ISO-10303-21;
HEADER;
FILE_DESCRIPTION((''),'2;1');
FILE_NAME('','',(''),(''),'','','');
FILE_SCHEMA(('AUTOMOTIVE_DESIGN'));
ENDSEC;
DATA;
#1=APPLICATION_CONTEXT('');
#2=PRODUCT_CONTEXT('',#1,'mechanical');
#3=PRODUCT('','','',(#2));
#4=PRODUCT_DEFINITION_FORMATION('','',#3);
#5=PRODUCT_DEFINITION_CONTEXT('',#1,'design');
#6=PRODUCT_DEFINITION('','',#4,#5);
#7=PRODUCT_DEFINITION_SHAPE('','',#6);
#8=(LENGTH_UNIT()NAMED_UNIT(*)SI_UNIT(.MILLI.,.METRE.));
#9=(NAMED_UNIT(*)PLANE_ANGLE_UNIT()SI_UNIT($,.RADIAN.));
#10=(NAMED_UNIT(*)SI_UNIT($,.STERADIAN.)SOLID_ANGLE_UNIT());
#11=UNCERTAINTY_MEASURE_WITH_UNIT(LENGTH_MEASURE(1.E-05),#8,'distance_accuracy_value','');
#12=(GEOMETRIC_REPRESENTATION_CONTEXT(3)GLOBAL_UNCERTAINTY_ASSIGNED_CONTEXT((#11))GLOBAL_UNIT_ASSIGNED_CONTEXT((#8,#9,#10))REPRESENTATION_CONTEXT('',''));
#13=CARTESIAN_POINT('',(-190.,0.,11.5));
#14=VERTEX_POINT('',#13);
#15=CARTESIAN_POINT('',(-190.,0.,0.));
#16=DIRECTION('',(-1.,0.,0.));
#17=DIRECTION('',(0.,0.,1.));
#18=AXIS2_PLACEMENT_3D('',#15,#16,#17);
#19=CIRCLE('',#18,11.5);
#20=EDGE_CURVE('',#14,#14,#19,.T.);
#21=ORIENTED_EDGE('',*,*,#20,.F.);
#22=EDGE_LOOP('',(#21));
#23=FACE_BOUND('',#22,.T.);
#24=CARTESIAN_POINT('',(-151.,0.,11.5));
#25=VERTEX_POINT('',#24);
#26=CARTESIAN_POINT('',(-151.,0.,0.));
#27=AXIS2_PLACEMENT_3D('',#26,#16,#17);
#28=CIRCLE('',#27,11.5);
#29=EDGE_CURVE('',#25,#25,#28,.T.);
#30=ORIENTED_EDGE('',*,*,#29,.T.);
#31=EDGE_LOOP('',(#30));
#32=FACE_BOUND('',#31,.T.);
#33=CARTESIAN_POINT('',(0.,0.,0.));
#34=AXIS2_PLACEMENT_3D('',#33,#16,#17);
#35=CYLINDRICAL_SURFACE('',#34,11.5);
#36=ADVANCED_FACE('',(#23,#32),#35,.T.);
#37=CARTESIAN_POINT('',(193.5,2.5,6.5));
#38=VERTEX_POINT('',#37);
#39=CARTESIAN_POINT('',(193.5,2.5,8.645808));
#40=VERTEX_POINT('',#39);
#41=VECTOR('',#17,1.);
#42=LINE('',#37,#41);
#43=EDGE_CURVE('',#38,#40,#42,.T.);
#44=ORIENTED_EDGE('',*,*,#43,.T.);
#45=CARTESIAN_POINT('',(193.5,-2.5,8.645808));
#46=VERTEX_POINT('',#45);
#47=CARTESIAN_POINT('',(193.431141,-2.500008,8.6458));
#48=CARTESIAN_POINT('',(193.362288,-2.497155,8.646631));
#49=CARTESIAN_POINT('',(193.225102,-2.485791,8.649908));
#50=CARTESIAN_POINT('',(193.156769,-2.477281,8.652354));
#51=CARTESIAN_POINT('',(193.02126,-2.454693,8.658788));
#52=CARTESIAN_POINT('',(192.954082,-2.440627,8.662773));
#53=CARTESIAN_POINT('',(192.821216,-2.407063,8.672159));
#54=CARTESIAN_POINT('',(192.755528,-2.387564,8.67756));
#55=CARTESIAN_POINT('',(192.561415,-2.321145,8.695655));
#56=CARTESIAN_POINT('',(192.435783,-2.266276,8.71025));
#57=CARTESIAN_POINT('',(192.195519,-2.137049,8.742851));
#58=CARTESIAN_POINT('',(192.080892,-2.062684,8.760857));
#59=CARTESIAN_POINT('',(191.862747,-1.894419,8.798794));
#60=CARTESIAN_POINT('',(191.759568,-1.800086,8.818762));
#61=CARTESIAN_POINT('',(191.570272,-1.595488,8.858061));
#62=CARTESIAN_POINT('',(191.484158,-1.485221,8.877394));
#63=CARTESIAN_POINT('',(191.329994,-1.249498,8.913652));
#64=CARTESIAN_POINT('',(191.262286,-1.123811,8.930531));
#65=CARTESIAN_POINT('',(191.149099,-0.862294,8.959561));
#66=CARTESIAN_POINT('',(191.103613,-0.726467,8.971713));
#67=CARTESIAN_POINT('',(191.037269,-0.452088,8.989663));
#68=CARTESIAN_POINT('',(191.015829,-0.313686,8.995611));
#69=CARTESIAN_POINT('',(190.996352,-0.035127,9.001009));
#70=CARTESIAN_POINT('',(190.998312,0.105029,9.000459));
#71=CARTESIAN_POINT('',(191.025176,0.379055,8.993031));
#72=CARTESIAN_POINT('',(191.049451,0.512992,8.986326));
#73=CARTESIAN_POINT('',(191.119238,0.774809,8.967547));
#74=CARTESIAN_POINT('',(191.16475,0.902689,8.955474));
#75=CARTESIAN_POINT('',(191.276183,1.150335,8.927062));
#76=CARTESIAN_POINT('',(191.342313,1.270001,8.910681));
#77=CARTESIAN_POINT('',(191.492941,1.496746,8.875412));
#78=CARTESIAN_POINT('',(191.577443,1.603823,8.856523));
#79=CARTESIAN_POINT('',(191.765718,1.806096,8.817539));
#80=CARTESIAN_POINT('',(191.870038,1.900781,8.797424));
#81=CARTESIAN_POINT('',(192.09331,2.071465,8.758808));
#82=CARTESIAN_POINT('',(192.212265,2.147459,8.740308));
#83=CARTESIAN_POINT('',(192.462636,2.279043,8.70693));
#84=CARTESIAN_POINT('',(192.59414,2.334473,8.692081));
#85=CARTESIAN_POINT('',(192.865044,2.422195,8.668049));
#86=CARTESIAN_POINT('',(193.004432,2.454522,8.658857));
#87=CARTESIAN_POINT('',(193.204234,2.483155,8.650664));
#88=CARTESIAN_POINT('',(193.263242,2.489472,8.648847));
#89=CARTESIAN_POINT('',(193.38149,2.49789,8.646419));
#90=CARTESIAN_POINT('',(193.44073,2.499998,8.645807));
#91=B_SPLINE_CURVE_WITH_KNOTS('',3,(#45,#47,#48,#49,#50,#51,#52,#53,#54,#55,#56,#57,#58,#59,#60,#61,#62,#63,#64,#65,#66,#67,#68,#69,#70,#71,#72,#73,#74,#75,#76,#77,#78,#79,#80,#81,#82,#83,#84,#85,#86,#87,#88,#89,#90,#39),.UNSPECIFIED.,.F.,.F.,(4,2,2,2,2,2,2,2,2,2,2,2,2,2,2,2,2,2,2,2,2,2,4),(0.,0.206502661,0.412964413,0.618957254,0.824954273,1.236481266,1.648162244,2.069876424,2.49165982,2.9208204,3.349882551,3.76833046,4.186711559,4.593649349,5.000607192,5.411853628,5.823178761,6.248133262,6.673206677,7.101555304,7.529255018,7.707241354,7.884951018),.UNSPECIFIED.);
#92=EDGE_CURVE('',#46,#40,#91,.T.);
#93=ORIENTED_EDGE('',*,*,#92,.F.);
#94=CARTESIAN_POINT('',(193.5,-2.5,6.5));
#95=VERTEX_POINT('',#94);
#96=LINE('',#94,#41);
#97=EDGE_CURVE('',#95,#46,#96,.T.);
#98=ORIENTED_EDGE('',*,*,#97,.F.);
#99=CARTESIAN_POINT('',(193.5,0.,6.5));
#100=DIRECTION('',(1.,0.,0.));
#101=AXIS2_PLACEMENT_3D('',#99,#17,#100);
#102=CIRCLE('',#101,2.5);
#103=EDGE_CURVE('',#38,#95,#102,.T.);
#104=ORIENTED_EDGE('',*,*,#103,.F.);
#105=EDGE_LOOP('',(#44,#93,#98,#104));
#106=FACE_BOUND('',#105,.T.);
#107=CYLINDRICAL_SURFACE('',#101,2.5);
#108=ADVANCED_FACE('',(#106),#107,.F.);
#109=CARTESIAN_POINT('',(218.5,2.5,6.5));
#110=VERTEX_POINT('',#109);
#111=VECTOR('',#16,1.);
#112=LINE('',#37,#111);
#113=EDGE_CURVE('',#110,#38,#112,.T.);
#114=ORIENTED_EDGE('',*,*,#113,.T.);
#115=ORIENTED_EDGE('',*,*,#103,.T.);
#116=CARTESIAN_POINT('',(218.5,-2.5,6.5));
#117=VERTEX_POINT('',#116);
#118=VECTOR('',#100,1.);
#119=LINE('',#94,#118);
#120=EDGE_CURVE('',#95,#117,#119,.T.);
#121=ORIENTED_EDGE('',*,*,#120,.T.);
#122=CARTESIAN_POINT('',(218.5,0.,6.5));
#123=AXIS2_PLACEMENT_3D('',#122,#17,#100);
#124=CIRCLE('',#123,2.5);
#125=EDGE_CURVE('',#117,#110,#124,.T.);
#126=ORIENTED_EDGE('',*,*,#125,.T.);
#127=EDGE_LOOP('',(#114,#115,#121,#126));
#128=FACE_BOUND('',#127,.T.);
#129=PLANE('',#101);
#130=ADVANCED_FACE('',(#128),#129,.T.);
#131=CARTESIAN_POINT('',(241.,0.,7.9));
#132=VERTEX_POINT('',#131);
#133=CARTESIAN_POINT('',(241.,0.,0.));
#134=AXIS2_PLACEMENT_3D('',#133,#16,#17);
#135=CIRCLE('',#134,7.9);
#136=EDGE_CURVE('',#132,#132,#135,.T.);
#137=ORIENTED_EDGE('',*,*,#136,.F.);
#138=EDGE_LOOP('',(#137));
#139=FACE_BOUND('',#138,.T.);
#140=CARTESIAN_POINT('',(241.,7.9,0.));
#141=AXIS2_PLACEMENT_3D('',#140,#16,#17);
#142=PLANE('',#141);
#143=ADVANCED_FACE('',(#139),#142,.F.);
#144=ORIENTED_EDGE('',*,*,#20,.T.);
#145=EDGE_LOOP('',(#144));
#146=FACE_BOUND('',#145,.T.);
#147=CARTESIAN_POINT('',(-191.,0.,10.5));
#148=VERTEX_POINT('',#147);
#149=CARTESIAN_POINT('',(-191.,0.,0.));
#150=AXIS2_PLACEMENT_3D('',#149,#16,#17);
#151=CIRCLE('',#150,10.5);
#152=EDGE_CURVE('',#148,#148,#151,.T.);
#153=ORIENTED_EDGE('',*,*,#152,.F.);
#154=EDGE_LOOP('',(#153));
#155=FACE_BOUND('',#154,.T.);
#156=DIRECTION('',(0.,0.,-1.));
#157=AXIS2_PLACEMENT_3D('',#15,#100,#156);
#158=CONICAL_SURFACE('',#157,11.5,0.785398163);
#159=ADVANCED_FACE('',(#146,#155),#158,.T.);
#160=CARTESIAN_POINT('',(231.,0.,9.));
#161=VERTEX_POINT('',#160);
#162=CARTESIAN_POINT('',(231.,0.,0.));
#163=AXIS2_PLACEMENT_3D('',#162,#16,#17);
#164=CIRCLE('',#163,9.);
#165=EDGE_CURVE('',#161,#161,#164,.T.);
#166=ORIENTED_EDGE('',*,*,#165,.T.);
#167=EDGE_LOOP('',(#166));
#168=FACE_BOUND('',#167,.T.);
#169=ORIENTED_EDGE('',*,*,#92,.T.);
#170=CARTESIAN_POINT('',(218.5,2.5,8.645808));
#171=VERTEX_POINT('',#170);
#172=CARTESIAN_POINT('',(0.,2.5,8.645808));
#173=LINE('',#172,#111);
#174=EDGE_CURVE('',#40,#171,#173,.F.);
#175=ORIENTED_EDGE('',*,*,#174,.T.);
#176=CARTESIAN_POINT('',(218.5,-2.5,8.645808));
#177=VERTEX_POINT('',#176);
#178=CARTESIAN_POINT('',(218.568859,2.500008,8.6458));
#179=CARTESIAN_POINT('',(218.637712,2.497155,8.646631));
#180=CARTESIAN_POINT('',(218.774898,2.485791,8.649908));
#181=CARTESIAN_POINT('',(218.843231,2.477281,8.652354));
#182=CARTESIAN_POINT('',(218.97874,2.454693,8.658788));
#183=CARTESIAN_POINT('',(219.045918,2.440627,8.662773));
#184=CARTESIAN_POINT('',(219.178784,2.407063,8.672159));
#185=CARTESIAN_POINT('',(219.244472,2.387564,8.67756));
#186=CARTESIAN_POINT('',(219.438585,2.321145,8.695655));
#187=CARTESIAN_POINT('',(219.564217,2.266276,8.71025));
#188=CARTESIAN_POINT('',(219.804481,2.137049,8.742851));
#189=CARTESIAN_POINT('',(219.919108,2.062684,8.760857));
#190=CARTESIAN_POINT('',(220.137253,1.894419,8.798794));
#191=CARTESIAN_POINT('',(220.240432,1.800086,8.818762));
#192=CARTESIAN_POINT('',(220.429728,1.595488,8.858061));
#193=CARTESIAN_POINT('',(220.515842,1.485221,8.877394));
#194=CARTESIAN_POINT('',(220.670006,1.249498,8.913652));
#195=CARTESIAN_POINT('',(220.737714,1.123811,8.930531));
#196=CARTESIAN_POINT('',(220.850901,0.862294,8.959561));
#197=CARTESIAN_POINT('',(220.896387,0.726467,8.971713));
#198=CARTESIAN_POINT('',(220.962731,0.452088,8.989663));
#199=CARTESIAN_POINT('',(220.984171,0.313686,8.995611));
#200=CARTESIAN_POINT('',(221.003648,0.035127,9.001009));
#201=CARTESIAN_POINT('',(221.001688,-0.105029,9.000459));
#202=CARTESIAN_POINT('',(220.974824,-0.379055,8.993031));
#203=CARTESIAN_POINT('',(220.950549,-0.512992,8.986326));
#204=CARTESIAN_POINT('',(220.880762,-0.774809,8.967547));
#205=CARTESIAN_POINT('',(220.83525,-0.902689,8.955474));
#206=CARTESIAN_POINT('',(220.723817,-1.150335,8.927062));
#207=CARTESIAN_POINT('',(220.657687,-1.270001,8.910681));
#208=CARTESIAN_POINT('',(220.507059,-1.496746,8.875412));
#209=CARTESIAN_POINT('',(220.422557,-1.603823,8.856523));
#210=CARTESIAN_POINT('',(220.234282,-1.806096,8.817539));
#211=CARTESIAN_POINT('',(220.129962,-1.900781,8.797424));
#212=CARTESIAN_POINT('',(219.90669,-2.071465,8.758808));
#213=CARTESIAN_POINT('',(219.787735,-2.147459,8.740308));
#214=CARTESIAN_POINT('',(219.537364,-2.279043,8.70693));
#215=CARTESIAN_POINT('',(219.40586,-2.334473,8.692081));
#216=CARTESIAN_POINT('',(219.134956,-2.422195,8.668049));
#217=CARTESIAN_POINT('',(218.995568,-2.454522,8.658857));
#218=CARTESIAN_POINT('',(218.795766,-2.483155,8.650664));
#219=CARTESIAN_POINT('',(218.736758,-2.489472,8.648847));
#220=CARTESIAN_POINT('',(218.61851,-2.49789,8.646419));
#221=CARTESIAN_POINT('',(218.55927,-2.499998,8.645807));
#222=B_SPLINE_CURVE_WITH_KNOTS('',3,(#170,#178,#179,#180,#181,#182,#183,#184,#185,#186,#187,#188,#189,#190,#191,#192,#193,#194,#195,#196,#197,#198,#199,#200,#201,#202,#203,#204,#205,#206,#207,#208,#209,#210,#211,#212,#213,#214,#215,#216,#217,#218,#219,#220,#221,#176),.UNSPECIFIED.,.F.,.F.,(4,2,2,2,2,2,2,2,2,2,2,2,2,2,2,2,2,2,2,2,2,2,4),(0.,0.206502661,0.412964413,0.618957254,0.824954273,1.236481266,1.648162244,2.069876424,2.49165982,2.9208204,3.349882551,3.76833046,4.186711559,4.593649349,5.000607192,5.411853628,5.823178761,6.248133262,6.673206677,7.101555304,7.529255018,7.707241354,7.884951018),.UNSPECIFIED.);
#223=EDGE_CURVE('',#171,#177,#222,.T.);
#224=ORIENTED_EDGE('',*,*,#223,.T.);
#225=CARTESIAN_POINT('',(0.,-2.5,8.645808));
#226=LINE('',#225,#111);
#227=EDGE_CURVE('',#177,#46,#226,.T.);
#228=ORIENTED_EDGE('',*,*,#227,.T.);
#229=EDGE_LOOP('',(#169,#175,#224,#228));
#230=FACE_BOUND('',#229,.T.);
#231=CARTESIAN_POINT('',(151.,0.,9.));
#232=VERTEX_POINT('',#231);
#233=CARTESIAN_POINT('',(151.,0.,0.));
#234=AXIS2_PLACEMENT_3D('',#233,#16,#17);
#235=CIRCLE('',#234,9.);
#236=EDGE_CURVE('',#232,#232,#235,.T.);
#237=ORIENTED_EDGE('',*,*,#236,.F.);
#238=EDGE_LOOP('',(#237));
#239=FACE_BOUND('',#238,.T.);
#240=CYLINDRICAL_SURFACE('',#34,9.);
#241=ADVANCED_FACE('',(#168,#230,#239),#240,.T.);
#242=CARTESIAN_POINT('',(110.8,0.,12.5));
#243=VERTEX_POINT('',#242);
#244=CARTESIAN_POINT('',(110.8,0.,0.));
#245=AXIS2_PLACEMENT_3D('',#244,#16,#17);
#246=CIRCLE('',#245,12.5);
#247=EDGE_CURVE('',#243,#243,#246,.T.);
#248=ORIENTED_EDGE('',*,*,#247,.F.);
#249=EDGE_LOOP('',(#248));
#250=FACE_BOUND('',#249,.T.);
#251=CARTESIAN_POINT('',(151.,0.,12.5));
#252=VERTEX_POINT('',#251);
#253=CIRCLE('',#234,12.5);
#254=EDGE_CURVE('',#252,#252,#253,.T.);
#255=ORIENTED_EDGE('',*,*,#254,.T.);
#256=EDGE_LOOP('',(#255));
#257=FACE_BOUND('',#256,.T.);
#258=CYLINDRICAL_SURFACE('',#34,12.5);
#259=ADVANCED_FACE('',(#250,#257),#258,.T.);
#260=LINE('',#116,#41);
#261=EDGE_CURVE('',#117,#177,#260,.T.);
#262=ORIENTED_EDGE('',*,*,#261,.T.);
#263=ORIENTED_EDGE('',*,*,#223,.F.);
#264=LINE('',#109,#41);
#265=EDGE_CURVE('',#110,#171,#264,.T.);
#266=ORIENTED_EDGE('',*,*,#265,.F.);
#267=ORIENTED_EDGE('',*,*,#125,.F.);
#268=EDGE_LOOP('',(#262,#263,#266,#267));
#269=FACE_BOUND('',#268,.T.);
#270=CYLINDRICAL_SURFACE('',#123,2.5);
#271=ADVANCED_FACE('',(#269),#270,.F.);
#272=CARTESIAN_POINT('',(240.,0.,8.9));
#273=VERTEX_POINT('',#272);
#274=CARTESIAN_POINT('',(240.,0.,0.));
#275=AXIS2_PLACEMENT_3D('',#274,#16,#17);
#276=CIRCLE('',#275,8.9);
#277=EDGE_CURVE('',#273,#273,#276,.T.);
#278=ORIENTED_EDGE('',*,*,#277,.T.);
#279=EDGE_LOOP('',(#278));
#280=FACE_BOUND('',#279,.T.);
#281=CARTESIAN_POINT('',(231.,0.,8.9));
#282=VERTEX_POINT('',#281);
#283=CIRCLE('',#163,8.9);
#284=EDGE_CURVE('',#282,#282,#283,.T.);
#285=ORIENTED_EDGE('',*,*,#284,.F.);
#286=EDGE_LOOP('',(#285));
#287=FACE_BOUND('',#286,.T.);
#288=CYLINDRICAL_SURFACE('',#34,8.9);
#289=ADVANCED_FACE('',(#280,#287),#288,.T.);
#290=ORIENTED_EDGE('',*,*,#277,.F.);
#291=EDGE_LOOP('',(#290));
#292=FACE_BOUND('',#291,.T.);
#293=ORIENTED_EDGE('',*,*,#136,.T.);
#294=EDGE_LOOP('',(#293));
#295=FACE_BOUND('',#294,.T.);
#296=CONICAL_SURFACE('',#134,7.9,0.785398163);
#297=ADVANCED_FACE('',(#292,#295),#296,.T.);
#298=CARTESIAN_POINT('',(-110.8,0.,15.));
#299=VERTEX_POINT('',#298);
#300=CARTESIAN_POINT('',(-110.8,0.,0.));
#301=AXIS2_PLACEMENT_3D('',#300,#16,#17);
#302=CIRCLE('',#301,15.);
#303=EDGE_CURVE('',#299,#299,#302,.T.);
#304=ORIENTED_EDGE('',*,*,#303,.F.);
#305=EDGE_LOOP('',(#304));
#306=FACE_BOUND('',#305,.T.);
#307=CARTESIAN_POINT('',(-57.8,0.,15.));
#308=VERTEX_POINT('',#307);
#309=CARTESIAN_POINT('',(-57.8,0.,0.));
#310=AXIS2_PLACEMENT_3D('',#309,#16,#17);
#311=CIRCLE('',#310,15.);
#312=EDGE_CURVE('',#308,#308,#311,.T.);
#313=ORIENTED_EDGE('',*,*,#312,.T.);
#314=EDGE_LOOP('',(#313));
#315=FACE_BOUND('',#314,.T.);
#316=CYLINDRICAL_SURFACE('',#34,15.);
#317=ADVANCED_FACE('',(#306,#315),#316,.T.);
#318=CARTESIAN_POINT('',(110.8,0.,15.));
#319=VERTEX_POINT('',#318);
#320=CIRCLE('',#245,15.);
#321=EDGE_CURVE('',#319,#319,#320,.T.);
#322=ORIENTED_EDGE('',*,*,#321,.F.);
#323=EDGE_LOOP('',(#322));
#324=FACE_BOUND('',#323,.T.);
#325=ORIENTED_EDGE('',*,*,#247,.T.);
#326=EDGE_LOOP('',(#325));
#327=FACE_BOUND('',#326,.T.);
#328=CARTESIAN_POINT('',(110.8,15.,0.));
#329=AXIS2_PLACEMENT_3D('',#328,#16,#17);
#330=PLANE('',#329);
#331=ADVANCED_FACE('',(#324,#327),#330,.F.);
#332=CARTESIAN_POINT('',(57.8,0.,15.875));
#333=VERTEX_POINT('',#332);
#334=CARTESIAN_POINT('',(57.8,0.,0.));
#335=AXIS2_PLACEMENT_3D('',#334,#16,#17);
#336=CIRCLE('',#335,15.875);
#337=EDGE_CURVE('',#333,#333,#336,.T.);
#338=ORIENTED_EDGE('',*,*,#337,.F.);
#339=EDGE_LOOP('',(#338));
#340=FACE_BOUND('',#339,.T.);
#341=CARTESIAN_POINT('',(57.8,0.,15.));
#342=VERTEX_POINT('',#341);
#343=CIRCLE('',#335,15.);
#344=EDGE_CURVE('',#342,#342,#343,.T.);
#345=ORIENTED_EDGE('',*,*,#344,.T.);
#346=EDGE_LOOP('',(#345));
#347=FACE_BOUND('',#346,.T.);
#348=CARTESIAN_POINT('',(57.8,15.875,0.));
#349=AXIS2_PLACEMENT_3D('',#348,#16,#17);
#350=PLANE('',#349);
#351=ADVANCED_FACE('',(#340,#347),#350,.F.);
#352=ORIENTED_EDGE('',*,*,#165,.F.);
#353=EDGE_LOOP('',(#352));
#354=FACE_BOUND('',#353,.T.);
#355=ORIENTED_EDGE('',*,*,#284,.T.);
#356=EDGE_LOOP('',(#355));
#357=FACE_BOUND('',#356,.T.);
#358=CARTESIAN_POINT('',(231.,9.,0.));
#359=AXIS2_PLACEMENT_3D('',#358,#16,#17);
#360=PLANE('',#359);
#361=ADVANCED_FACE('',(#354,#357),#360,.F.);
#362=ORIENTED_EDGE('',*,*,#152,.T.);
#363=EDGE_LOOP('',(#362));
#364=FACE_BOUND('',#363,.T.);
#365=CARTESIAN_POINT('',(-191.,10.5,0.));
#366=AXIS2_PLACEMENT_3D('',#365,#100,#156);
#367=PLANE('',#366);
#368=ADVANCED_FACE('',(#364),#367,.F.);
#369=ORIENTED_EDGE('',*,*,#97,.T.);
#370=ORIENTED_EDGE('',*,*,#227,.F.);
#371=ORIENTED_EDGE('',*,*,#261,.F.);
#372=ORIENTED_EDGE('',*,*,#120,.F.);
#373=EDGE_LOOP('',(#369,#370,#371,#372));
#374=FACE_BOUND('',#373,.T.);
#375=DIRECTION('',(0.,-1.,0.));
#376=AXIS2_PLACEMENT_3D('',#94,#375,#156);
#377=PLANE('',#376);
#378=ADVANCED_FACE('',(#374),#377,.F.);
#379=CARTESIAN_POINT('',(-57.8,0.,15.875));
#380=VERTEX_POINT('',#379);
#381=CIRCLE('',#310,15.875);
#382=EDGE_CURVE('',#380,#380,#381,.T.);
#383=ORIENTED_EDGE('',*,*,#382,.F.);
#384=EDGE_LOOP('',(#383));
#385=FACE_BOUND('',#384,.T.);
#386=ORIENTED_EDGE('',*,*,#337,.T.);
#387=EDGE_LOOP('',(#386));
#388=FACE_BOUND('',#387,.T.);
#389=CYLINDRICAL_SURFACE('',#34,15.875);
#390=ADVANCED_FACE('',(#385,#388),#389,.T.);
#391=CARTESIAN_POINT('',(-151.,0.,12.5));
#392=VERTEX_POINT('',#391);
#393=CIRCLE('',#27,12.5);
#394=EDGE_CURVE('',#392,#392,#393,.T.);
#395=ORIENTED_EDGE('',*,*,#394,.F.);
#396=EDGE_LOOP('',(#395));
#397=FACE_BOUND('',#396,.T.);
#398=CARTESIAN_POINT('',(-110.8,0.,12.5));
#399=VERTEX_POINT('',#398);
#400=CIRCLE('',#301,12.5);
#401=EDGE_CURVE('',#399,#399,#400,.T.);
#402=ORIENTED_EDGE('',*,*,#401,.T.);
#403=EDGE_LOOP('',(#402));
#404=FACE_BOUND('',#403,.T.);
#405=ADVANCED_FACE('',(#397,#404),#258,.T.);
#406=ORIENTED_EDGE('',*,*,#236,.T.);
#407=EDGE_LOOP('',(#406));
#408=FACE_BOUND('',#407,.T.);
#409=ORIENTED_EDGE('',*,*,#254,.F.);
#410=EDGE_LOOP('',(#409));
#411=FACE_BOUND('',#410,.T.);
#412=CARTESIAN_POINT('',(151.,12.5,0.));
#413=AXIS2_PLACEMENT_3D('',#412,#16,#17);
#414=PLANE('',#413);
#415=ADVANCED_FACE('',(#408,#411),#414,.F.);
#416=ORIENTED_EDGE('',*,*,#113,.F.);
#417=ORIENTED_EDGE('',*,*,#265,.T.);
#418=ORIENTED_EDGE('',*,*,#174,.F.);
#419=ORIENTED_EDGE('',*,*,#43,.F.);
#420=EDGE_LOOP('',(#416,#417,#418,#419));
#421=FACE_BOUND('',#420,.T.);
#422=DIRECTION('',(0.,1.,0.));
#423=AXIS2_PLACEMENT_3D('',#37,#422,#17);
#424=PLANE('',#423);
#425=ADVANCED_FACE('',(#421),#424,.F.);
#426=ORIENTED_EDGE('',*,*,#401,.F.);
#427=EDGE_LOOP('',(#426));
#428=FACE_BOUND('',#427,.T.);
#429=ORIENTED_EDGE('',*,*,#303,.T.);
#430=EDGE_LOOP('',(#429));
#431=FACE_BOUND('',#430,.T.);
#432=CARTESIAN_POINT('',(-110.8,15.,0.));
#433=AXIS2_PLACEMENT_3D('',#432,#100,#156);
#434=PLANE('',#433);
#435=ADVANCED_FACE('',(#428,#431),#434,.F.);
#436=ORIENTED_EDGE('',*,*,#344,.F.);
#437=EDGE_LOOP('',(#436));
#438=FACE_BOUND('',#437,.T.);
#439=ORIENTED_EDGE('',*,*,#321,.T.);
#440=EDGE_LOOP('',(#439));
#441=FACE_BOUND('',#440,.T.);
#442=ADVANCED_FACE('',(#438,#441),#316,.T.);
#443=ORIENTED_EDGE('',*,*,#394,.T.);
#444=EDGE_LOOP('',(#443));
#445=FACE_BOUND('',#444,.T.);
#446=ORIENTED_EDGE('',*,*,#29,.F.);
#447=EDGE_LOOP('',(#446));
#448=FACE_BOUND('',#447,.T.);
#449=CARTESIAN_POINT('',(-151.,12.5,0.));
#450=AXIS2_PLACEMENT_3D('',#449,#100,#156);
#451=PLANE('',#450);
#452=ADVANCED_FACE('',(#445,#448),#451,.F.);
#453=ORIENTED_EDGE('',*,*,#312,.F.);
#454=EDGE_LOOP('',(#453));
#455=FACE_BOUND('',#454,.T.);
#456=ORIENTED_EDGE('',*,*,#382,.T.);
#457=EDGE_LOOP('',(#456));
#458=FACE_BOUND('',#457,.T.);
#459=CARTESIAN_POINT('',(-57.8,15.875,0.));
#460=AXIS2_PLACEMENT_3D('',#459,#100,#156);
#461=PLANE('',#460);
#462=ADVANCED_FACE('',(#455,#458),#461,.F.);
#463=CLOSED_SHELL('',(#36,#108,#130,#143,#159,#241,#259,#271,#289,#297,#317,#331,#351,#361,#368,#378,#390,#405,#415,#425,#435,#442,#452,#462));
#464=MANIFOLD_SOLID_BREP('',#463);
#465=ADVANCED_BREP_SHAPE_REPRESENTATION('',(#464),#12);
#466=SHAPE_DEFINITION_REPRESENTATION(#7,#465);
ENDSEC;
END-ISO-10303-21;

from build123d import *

# Parameters (mm, degrees)
CUT_EXTRUDE_START   = 9
CUT_EXTRUDE_1_DEPTH = 2.5


with BuildPart() as part:
    # 草圖1 → 旋轉1 (revolve)
    with BuildSketch(Plane.XY, mode=Mode.PRIVATE) as revolve_1_sk:
        Polygon((57.8, 15.875), (-57.8, 15.875), (-57.8, 15), (-110.8, 15), (-110.8, 12.5), (-151, 12.5), (-151, 11.5), (-190, 11.5), (-191, 10.5), (-191, 0), (241, 0), (241, 7.9), (240, 8.9), (231, 8.9), (231, 9), (151, 9), (151, 12.5), (110.8, 12.5), (110.8, 15), (57.8, 15), align=None)
    revolve(revolve_1_sk.sketch.rotate(Axis((0, 0, 0), (1, 0, 0)), 90), axis=Axis((0, 0, 0), (1, 0, 0)))

    # 草圖2 → 除料-伸長1 (cut)
    with BuildSketch(Plane.XY.offset(CUT_EXTRUDE_START)):
        with BuildLine():
            Line((193.5, 2.5), (218.5, 2.5))
            ThreePointArc((218.5, 2.5), (221, 0), (218.5, -2.5))
            Line((218.5, -2.5), (193.5, -2.5))
            ThreePointArc((193.5, -2.5), (191, 0), (193.5, 2.5))
        make_face()
    extrude(amount=-CUT_EXTRUDE_1_DEPTH, mode=Mode.SUBTRACT)


solid = part.part
